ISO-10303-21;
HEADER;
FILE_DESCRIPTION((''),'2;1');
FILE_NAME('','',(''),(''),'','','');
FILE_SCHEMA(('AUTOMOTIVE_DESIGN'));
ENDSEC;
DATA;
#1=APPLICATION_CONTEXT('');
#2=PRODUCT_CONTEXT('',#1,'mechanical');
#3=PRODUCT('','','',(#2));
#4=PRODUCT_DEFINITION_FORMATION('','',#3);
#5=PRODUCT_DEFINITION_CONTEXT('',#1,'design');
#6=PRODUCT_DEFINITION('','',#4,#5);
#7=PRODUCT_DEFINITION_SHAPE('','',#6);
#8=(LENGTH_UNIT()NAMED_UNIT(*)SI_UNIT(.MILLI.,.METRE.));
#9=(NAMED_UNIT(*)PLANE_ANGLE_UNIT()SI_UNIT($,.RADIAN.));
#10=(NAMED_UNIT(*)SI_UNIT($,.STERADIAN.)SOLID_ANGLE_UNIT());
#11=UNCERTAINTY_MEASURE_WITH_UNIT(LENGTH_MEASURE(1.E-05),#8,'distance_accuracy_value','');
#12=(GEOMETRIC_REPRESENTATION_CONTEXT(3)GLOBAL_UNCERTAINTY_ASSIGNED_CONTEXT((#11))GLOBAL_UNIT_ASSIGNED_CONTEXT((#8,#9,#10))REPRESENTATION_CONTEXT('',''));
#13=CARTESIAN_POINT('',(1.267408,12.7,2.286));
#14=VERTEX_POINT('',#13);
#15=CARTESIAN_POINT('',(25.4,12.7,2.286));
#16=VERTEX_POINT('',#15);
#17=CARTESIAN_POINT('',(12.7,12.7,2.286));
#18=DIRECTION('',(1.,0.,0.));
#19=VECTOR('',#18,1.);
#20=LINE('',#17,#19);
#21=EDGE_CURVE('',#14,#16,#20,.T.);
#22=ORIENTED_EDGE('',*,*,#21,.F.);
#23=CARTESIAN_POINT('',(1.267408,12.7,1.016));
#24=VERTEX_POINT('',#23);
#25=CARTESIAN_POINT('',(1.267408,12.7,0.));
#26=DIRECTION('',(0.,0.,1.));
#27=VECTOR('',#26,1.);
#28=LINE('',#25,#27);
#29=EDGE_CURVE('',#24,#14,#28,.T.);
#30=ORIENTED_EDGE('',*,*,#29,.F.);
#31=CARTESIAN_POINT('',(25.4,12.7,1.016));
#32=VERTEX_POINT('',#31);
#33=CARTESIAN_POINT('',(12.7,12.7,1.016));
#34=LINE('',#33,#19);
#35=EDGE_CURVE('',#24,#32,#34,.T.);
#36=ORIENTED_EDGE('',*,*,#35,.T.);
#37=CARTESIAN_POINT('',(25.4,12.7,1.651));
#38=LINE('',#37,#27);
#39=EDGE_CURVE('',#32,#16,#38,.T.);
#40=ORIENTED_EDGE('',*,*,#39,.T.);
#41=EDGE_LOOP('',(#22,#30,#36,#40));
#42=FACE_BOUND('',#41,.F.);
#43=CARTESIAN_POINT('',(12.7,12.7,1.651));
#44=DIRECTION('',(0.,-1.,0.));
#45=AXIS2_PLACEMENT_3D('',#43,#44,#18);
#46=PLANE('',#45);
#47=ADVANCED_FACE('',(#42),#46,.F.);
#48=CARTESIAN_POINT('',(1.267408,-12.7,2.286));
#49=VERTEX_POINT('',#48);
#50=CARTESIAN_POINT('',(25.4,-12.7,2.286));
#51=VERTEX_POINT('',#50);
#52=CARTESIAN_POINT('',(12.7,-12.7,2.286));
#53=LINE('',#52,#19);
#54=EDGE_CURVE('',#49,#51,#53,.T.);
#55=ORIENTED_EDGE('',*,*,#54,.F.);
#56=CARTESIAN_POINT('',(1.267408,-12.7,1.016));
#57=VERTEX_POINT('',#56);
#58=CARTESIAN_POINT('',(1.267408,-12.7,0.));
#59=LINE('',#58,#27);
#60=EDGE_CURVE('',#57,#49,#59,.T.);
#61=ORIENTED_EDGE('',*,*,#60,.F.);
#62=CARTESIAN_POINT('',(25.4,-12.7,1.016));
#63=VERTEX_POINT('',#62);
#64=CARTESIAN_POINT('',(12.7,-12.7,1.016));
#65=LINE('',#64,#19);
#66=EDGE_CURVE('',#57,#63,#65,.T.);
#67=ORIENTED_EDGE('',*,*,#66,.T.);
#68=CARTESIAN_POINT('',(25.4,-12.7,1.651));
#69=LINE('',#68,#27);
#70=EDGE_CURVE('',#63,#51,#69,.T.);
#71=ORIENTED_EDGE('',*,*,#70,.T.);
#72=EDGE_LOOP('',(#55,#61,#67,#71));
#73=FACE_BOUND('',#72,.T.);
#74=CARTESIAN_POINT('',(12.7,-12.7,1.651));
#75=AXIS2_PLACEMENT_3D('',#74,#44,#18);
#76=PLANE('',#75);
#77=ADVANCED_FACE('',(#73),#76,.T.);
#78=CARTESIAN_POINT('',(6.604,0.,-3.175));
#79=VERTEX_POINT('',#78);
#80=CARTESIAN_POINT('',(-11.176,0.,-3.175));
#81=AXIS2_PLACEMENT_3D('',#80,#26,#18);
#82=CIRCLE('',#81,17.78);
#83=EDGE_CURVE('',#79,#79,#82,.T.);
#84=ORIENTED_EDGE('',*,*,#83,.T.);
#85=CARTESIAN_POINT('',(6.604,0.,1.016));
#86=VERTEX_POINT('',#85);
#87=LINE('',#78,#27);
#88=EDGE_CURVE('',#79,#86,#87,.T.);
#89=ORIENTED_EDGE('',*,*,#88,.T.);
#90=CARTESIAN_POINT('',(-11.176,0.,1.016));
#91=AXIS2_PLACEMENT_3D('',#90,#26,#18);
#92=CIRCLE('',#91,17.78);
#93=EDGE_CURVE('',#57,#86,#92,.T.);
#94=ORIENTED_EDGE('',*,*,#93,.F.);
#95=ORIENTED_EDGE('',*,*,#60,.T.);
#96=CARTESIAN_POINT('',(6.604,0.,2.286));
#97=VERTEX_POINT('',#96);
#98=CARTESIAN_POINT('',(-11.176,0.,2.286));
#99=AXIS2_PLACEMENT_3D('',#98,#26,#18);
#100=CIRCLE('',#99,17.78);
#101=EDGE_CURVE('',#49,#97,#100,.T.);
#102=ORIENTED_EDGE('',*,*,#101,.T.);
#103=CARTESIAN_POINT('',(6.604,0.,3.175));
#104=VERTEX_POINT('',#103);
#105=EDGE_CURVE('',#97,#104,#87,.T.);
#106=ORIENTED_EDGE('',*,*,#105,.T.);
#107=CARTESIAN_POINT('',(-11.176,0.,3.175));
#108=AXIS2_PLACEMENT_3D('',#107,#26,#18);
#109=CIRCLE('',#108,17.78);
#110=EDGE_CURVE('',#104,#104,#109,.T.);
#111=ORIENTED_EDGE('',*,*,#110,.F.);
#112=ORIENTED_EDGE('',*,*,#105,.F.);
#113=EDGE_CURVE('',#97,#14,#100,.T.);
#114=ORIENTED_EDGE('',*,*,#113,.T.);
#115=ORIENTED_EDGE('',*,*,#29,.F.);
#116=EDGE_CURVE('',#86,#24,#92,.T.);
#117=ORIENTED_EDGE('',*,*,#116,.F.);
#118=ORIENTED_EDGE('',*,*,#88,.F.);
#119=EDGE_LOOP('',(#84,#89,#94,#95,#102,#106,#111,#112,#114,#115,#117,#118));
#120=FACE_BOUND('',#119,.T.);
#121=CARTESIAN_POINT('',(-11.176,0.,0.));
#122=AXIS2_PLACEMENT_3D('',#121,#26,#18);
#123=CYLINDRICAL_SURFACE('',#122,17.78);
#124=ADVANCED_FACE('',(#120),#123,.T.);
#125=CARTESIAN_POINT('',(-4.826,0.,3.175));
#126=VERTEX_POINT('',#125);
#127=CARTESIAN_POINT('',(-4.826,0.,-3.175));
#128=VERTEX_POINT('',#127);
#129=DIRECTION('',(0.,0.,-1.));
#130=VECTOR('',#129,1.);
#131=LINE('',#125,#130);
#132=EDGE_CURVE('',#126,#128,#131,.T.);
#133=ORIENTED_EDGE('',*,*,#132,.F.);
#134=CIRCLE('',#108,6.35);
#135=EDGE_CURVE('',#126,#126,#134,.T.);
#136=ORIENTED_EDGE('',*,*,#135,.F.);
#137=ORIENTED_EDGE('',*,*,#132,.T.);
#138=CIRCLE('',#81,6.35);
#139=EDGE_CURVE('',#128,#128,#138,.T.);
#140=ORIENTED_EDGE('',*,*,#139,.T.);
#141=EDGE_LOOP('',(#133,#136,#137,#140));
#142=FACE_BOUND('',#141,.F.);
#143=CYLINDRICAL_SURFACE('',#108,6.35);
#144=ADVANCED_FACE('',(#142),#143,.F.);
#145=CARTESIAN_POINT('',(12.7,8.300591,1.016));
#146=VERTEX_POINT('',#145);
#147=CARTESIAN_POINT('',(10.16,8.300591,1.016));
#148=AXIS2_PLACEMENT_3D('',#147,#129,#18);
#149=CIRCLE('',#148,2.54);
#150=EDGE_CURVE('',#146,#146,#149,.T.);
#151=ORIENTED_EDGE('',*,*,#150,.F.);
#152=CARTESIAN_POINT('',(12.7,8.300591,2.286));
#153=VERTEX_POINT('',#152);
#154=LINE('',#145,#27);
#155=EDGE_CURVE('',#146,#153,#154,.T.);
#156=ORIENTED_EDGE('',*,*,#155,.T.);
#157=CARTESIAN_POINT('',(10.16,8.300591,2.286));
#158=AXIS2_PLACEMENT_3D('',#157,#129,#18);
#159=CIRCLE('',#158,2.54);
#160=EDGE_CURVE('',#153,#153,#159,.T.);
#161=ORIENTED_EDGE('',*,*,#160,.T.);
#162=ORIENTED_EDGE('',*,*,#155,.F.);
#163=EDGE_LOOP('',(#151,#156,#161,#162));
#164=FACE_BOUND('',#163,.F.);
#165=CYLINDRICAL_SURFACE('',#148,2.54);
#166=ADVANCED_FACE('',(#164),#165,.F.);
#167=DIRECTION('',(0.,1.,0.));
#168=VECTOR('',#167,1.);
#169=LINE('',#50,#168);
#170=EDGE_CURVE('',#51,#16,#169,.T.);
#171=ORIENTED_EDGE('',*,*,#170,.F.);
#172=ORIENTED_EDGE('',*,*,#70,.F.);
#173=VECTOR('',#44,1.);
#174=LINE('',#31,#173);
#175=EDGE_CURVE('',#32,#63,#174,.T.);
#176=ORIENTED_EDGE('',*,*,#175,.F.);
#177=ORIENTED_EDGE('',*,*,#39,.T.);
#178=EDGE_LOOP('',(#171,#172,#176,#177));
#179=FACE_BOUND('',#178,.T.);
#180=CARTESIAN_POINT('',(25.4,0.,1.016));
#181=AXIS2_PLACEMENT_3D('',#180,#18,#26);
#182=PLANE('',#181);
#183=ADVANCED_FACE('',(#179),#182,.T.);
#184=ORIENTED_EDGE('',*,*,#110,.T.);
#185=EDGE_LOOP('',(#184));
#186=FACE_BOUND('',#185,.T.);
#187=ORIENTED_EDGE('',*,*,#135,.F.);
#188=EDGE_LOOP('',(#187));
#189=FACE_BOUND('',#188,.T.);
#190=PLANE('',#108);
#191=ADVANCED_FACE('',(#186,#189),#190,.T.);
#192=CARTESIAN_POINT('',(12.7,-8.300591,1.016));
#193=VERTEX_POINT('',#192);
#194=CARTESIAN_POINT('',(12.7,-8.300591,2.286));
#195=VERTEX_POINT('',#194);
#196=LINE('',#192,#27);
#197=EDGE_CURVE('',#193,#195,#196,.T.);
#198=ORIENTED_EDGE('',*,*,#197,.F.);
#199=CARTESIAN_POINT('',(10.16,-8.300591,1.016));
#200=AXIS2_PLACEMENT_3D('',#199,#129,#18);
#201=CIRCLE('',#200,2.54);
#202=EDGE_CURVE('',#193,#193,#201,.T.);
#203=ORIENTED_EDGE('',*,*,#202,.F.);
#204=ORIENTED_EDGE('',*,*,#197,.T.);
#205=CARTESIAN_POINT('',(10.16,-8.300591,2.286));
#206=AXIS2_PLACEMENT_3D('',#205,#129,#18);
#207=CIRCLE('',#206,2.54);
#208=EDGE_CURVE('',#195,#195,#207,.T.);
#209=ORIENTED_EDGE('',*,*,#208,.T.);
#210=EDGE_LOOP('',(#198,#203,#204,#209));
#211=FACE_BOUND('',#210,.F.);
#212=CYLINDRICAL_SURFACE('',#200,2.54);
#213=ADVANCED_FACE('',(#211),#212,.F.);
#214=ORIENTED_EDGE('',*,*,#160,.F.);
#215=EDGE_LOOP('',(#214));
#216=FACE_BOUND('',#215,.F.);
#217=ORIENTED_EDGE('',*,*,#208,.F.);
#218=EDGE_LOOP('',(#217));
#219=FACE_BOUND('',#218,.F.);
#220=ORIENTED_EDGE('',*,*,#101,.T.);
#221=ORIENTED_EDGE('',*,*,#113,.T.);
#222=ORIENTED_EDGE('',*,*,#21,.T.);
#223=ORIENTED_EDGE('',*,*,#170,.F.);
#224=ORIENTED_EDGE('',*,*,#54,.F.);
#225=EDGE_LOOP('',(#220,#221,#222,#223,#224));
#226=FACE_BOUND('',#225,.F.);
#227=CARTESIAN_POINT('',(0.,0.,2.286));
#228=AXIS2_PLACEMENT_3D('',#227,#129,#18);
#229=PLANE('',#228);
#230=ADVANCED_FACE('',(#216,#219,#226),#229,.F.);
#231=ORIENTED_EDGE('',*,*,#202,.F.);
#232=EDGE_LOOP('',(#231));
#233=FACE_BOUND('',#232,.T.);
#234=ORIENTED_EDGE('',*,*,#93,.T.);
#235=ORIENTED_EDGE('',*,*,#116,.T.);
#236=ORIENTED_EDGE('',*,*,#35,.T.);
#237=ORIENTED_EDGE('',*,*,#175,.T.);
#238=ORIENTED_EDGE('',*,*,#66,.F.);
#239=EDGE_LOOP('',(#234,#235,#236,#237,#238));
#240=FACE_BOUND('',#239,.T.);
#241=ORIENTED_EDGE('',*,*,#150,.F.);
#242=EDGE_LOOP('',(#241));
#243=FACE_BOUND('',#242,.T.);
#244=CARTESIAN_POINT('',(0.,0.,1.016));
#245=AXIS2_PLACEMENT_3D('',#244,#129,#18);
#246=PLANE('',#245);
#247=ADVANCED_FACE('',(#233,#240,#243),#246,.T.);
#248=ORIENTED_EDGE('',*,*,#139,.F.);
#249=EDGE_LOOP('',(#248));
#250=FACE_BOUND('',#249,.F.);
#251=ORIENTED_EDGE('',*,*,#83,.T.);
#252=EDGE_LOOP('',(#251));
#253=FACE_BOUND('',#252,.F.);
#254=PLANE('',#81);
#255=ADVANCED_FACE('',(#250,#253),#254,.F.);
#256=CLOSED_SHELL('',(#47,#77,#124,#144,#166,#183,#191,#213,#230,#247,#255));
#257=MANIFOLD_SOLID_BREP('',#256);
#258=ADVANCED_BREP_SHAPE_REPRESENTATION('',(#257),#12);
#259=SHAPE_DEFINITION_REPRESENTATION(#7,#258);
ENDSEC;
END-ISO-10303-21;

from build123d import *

# Parameters (mm, degrees)
F0_W     = 25.4
F0_H     = 1.27
F1_DEPTH = 12.7
F2_R     = 2.54
F3_DEPTH = 1.271
F4_R     = 17.78
F5_DEPTH = 3.175
F6_R     = 6.35
F7_DEPTH = 6.351


with BuildPart() as f1:
    # F0 (on Front) → F1 (new body, symmetric)
    with BuildSketch(Plane.XZ):
        with Locations((12.7, 1.651)):
            Rectangle(F0_W, F0_H)
    extrude(amount=F1_DEPTH, both=True)

    # F2 (on face) → F3 (cut, through all)
    with BuildSketch(Plane(origin=(0, 0, 1.016), x_dir=(1, 0, 0), z_dir=(0, 0, -1))):
        with Locations((10.16, 8.300591)):
            Circle(F2_R)
        with Locations((10.16, -8.300591)):
            Circle(F2_R)
    extrude(amount=-F3_DEPTH, mode=Mode.SUBTRACT)

    # F4 (on Top) → F5 (join, symmetric)
    with BuildSketch(Plane.XY):
        with Locations((-11.176, 0)):
            Circle(F4_R)
    extrude(amount=F5_DEPTH, both=True)

    # F6 (on face) → F7 (cut, through all)
    with BuildSketch(Plane.XY.offset(3.175)):
        with Locations((-11.176, 0)):
            Circle(F6_R)
    extrude(amount=-F7_DEPTH, mode=Mode.SUBTRACT)


solid = f1.part
